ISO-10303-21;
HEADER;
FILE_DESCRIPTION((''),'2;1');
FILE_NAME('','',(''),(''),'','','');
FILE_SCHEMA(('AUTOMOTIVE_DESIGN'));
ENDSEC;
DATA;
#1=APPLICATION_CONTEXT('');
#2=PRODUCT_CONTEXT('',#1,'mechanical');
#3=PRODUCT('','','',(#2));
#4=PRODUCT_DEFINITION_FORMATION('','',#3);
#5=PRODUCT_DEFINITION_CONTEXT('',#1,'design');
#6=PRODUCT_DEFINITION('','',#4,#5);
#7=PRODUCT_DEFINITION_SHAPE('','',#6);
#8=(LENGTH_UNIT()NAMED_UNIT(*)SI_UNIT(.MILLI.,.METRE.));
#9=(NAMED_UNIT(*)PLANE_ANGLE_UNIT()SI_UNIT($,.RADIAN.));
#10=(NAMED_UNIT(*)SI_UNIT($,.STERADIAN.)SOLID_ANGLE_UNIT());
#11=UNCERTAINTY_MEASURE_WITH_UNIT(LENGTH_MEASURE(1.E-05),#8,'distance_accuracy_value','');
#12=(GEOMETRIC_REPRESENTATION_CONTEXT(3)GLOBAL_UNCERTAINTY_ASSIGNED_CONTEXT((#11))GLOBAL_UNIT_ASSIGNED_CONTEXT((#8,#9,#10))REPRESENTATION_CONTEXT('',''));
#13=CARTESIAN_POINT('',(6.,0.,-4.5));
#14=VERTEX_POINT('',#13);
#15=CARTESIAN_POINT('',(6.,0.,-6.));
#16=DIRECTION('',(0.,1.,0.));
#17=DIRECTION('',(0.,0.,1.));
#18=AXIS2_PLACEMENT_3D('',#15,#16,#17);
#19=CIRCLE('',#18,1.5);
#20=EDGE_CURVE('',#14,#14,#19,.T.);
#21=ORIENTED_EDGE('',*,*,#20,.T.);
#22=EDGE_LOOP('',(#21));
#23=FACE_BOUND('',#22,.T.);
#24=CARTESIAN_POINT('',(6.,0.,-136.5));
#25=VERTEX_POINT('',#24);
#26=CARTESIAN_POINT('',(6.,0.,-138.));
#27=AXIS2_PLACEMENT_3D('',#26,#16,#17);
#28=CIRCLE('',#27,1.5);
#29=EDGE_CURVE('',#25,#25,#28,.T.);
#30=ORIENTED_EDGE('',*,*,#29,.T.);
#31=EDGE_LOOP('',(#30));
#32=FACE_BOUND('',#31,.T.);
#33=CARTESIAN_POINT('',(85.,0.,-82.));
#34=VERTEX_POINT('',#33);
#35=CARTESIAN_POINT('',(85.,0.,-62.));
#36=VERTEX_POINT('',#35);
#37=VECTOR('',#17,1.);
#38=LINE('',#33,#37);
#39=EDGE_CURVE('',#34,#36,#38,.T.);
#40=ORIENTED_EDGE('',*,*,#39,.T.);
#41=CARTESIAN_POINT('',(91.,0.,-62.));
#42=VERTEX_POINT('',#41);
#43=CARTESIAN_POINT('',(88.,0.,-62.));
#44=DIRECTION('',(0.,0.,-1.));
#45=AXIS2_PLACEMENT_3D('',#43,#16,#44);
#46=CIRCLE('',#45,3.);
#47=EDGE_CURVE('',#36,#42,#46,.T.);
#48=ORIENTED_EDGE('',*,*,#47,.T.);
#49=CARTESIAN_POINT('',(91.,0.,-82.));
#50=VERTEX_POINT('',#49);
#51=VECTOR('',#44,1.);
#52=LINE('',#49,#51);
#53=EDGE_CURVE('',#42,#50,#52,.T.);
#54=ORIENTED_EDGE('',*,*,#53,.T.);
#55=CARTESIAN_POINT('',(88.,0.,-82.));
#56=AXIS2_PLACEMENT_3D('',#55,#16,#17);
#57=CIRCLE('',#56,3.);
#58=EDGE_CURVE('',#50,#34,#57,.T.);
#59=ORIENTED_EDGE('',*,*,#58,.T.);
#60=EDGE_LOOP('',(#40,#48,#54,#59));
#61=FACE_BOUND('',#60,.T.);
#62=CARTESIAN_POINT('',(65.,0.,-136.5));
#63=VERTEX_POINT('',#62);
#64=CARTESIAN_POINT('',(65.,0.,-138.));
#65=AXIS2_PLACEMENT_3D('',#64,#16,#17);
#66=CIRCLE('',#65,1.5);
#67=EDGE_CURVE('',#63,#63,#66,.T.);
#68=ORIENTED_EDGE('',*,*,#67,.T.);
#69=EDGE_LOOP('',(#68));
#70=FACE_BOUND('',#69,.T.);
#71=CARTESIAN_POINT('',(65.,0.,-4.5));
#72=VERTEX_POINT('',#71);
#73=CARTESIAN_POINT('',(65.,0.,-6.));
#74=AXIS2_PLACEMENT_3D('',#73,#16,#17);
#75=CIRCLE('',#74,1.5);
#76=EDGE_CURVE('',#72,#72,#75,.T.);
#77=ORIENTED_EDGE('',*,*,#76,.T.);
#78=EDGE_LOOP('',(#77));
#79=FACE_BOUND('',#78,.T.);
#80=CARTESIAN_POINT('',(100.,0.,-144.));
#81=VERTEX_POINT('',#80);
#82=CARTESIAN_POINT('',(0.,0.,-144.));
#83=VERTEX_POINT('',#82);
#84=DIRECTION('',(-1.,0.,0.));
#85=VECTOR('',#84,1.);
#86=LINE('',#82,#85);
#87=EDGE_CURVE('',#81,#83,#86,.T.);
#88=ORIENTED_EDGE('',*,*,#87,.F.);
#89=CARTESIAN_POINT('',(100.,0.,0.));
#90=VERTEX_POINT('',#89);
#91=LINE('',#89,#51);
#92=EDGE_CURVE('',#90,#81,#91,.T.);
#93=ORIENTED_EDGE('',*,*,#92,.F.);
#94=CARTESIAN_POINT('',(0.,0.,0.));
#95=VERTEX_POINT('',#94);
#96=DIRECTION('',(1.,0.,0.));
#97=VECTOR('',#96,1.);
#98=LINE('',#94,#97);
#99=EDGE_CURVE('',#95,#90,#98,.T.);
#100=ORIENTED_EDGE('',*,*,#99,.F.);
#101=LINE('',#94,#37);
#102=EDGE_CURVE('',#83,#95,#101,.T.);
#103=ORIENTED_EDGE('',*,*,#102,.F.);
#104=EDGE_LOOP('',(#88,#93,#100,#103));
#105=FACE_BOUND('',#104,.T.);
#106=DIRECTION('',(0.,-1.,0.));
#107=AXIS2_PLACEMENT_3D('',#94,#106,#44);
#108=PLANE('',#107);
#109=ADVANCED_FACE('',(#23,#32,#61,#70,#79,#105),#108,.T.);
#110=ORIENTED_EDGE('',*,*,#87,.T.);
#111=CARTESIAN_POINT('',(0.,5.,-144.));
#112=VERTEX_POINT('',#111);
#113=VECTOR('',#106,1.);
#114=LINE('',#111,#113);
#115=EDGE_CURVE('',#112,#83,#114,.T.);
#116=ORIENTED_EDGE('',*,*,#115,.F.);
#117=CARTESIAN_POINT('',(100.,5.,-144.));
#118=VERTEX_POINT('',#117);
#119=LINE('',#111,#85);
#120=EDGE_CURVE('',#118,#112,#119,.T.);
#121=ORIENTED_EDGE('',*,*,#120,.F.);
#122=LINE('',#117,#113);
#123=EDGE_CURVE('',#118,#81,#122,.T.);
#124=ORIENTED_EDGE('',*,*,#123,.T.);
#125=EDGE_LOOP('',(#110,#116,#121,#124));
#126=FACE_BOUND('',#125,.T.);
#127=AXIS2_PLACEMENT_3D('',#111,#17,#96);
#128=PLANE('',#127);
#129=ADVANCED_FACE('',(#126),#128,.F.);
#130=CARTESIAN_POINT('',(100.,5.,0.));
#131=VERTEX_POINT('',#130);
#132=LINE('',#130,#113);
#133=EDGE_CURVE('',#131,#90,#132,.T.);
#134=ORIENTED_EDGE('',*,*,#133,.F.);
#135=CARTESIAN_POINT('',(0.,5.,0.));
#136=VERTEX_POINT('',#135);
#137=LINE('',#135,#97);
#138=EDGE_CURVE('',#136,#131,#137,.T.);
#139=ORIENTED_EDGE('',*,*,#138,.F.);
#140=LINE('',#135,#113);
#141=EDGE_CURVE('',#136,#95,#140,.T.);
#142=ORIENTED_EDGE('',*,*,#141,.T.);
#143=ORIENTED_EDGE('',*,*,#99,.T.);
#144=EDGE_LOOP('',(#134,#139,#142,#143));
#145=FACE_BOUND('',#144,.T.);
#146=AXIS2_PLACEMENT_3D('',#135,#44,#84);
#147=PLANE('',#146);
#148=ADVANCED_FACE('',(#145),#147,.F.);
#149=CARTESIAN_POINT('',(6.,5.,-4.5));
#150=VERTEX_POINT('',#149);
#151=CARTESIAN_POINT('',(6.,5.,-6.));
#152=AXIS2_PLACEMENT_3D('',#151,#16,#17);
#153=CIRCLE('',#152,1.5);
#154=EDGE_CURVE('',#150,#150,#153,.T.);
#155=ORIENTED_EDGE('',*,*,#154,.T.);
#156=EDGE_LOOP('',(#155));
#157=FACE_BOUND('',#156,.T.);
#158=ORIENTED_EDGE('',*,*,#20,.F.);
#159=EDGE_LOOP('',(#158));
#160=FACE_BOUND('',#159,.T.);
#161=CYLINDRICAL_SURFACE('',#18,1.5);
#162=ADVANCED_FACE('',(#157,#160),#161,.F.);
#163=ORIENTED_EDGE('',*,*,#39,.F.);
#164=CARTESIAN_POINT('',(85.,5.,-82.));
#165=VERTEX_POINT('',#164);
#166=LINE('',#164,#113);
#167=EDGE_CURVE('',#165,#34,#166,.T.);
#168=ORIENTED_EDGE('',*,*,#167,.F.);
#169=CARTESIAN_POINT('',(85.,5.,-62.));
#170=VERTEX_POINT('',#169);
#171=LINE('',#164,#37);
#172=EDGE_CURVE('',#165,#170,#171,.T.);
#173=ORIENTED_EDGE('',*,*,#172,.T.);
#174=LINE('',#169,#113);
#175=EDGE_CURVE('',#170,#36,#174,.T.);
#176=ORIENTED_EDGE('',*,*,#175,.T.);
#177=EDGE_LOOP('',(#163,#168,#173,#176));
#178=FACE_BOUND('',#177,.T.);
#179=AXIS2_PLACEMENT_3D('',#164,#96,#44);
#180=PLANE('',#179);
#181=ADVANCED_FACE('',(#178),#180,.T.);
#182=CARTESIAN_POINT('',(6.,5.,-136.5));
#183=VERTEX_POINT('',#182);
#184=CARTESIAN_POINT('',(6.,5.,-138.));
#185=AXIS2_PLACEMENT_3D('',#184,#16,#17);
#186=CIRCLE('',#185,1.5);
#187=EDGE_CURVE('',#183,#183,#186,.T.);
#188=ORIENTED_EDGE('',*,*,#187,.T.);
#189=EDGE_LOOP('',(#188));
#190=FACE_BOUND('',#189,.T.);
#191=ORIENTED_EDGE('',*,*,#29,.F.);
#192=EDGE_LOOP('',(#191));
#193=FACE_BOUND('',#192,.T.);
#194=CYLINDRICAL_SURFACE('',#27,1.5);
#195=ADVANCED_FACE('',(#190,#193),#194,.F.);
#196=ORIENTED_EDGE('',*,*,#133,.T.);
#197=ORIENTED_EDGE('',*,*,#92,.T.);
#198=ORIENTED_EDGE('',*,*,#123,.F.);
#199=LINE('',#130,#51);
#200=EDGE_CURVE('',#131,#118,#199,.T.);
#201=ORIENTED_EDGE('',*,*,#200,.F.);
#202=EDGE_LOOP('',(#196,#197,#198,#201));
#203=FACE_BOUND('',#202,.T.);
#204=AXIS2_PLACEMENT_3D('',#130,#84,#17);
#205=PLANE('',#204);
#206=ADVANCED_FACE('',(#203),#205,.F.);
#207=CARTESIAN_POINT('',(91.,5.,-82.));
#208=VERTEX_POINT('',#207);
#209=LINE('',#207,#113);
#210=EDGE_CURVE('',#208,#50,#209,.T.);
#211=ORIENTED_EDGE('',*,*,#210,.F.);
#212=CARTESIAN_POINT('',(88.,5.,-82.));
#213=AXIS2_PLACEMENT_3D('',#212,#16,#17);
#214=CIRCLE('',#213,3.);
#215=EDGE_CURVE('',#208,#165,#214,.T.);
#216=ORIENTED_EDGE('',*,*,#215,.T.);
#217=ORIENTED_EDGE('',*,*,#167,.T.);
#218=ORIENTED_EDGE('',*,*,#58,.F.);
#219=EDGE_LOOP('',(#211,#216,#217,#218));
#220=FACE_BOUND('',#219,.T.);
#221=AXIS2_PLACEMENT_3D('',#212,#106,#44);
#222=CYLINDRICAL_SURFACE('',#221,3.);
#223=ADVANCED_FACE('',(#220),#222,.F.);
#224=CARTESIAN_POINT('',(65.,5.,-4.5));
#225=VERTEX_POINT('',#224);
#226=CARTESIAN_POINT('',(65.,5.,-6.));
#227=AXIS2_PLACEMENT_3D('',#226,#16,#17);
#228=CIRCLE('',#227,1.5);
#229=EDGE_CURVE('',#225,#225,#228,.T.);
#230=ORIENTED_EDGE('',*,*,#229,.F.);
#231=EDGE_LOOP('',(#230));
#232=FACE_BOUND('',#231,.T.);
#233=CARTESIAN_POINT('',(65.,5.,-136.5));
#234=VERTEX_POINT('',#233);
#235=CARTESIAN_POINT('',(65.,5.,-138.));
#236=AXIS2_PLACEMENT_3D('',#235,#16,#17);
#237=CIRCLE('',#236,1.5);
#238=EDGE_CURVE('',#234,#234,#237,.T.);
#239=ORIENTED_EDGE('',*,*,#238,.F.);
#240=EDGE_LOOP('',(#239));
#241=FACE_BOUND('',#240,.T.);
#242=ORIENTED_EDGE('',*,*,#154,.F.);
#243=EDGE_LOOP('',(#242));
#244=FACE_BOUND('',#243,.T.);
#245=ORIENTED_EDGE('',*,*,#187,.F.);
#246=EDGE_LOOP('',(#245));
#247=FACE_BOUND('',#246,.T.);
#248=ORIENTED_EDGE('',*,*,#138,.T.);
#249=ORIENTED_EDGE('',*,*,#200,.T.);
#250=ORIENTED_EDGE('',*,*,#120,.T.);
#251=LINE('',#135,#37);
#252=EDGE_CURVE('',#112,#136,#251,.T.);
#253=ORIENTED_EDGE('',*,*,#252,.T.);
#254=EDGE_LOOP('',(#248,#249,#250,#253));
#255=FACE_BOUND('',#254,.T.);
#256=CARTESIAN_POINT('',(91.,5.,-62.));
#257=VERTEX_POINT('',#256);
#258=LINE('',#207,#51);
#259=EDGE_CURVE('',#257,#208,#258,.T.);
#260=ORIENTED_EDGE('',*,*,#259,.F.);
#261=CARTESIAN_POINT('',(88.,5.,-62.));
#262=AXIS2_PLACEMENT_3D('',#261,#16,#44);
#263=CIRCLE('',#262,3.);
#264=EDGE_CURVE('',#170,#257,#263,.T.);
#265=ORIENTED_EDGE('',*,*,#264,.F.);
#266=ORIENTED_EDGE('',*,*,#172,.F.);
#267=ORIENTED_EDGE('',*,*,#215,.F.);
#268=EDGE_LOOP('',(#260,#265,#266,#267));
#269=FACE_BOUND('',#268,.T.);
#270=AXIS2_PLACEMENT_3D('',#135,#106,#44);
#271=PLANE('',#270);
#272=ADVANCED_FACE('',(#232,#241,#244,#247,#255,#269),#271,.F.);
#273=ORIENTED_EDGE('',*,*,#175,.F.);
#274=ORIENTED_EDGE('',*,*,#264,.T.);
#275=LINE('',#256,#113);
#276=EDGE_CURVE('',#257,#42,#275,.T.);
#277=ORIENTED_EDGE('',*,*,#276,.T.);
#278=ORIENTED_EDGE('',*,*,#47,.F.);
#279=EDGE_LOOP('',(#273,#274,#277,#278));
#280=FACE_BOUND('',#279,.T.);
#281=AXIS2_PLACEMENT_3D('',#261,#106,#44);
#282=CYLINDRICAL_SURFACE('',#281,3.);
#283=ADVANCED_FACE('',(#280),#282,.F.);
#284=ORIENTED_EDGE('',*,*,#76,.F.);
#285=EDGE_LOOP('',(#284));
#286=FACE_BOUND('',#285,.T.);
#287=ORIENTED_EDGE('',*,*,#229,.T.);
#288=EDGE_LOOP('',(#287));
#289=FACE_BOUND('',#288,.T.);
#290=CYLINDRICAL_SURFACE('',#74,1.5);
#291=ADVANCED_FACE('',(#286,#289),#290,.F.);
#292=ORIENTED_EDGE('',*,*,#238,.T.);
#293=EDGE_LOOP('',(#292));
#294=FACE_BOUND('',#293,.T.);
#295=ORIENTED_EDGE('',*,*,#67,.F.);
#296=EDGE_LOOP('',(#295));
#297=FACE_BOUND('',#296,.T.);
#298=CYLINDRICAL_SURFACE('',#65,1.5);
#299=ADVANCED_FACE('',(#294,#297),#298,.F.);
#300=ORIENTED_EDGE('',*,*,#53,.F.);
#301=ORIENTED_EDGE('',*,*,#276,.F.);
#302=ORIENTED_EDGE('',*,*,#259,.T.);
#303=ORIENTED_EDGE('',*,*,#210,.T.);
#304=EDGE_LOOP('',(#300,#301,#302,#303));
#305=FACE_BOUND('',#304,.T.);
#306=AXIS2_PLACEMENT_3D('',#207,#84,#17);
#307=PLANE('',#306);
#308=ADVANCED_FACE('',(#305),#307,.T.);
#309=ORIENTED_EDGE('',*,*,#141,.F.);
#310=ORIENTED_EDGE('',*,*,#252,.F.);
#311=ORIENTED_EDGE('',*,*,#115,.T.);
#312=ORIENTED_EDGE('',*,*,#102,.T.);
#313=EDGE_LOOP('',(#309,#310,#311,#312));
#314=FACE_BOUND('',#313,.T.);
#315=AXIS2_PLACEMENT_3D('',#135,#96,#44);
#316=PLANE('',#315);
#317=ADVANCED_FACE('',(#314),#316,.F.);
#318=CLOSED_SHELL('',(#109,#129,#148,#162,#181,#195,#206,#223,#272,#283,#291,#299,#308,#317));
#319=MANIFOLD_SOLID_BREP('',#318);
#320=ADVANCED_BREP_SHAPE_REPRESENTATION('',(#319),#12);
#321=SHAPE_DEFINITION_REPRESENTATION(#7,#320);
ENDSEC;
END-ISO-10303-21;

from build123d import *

# Parameters (mm, degrees)
SKETCH1_W           = 100
SKETCH1_H           = 144
BOSS_EXTRUDE1_DEPTH = 5
SKETCH2_R           = 1.5
CUT_EXTRUDE1_DEPTH  = 6


with BuildPart() as part:
    # Sketch1 → Boss-Extrude1 (new body)
    with BuildSketch(Plane(origin=(0, 0, 0), x_dir=(1, 0, 0), z_dir=(0, 1, 0))):
        with Locations((50, 72)):
            Rectangle(SKETCH1_W, SKETCH1_H)
        with BuildLine():
            Line((85, 82), (85, 62))
            ThreePointArc((85, 62), (88, 59), (91, 62))
            Line((91, 62), (91, 82))
            ThreePointArc((91, 82), (88, 85), (85, 82))
        make_face(mode=Mode.SUBTRACT)
    extrude(amount=BOSS_EXTRUDE1_DEPTH)

    # Sketch2 → Cut-Extrude1 (cut, through all)
    with BuildSketch(Plane(origin=(0, 5, 0), x_dir=(1, 0, 0), z_dir=(0, 1, 0))):
        with Locations((6, 138)):
            Circle(SKETCH2_R)
        with Locations((6, 6)):
            Circle(SKETCH2_R)
        with Locations((65, 138)):
            Circle(SKETCH2_R)
        with Locations((65, 6)):
            Circle(SKETCH2_R)
    extrude(amount=-CUT_EXTRUDE1_DEPTH, mode=Mode.SUBTRACT)


solid = part.part
